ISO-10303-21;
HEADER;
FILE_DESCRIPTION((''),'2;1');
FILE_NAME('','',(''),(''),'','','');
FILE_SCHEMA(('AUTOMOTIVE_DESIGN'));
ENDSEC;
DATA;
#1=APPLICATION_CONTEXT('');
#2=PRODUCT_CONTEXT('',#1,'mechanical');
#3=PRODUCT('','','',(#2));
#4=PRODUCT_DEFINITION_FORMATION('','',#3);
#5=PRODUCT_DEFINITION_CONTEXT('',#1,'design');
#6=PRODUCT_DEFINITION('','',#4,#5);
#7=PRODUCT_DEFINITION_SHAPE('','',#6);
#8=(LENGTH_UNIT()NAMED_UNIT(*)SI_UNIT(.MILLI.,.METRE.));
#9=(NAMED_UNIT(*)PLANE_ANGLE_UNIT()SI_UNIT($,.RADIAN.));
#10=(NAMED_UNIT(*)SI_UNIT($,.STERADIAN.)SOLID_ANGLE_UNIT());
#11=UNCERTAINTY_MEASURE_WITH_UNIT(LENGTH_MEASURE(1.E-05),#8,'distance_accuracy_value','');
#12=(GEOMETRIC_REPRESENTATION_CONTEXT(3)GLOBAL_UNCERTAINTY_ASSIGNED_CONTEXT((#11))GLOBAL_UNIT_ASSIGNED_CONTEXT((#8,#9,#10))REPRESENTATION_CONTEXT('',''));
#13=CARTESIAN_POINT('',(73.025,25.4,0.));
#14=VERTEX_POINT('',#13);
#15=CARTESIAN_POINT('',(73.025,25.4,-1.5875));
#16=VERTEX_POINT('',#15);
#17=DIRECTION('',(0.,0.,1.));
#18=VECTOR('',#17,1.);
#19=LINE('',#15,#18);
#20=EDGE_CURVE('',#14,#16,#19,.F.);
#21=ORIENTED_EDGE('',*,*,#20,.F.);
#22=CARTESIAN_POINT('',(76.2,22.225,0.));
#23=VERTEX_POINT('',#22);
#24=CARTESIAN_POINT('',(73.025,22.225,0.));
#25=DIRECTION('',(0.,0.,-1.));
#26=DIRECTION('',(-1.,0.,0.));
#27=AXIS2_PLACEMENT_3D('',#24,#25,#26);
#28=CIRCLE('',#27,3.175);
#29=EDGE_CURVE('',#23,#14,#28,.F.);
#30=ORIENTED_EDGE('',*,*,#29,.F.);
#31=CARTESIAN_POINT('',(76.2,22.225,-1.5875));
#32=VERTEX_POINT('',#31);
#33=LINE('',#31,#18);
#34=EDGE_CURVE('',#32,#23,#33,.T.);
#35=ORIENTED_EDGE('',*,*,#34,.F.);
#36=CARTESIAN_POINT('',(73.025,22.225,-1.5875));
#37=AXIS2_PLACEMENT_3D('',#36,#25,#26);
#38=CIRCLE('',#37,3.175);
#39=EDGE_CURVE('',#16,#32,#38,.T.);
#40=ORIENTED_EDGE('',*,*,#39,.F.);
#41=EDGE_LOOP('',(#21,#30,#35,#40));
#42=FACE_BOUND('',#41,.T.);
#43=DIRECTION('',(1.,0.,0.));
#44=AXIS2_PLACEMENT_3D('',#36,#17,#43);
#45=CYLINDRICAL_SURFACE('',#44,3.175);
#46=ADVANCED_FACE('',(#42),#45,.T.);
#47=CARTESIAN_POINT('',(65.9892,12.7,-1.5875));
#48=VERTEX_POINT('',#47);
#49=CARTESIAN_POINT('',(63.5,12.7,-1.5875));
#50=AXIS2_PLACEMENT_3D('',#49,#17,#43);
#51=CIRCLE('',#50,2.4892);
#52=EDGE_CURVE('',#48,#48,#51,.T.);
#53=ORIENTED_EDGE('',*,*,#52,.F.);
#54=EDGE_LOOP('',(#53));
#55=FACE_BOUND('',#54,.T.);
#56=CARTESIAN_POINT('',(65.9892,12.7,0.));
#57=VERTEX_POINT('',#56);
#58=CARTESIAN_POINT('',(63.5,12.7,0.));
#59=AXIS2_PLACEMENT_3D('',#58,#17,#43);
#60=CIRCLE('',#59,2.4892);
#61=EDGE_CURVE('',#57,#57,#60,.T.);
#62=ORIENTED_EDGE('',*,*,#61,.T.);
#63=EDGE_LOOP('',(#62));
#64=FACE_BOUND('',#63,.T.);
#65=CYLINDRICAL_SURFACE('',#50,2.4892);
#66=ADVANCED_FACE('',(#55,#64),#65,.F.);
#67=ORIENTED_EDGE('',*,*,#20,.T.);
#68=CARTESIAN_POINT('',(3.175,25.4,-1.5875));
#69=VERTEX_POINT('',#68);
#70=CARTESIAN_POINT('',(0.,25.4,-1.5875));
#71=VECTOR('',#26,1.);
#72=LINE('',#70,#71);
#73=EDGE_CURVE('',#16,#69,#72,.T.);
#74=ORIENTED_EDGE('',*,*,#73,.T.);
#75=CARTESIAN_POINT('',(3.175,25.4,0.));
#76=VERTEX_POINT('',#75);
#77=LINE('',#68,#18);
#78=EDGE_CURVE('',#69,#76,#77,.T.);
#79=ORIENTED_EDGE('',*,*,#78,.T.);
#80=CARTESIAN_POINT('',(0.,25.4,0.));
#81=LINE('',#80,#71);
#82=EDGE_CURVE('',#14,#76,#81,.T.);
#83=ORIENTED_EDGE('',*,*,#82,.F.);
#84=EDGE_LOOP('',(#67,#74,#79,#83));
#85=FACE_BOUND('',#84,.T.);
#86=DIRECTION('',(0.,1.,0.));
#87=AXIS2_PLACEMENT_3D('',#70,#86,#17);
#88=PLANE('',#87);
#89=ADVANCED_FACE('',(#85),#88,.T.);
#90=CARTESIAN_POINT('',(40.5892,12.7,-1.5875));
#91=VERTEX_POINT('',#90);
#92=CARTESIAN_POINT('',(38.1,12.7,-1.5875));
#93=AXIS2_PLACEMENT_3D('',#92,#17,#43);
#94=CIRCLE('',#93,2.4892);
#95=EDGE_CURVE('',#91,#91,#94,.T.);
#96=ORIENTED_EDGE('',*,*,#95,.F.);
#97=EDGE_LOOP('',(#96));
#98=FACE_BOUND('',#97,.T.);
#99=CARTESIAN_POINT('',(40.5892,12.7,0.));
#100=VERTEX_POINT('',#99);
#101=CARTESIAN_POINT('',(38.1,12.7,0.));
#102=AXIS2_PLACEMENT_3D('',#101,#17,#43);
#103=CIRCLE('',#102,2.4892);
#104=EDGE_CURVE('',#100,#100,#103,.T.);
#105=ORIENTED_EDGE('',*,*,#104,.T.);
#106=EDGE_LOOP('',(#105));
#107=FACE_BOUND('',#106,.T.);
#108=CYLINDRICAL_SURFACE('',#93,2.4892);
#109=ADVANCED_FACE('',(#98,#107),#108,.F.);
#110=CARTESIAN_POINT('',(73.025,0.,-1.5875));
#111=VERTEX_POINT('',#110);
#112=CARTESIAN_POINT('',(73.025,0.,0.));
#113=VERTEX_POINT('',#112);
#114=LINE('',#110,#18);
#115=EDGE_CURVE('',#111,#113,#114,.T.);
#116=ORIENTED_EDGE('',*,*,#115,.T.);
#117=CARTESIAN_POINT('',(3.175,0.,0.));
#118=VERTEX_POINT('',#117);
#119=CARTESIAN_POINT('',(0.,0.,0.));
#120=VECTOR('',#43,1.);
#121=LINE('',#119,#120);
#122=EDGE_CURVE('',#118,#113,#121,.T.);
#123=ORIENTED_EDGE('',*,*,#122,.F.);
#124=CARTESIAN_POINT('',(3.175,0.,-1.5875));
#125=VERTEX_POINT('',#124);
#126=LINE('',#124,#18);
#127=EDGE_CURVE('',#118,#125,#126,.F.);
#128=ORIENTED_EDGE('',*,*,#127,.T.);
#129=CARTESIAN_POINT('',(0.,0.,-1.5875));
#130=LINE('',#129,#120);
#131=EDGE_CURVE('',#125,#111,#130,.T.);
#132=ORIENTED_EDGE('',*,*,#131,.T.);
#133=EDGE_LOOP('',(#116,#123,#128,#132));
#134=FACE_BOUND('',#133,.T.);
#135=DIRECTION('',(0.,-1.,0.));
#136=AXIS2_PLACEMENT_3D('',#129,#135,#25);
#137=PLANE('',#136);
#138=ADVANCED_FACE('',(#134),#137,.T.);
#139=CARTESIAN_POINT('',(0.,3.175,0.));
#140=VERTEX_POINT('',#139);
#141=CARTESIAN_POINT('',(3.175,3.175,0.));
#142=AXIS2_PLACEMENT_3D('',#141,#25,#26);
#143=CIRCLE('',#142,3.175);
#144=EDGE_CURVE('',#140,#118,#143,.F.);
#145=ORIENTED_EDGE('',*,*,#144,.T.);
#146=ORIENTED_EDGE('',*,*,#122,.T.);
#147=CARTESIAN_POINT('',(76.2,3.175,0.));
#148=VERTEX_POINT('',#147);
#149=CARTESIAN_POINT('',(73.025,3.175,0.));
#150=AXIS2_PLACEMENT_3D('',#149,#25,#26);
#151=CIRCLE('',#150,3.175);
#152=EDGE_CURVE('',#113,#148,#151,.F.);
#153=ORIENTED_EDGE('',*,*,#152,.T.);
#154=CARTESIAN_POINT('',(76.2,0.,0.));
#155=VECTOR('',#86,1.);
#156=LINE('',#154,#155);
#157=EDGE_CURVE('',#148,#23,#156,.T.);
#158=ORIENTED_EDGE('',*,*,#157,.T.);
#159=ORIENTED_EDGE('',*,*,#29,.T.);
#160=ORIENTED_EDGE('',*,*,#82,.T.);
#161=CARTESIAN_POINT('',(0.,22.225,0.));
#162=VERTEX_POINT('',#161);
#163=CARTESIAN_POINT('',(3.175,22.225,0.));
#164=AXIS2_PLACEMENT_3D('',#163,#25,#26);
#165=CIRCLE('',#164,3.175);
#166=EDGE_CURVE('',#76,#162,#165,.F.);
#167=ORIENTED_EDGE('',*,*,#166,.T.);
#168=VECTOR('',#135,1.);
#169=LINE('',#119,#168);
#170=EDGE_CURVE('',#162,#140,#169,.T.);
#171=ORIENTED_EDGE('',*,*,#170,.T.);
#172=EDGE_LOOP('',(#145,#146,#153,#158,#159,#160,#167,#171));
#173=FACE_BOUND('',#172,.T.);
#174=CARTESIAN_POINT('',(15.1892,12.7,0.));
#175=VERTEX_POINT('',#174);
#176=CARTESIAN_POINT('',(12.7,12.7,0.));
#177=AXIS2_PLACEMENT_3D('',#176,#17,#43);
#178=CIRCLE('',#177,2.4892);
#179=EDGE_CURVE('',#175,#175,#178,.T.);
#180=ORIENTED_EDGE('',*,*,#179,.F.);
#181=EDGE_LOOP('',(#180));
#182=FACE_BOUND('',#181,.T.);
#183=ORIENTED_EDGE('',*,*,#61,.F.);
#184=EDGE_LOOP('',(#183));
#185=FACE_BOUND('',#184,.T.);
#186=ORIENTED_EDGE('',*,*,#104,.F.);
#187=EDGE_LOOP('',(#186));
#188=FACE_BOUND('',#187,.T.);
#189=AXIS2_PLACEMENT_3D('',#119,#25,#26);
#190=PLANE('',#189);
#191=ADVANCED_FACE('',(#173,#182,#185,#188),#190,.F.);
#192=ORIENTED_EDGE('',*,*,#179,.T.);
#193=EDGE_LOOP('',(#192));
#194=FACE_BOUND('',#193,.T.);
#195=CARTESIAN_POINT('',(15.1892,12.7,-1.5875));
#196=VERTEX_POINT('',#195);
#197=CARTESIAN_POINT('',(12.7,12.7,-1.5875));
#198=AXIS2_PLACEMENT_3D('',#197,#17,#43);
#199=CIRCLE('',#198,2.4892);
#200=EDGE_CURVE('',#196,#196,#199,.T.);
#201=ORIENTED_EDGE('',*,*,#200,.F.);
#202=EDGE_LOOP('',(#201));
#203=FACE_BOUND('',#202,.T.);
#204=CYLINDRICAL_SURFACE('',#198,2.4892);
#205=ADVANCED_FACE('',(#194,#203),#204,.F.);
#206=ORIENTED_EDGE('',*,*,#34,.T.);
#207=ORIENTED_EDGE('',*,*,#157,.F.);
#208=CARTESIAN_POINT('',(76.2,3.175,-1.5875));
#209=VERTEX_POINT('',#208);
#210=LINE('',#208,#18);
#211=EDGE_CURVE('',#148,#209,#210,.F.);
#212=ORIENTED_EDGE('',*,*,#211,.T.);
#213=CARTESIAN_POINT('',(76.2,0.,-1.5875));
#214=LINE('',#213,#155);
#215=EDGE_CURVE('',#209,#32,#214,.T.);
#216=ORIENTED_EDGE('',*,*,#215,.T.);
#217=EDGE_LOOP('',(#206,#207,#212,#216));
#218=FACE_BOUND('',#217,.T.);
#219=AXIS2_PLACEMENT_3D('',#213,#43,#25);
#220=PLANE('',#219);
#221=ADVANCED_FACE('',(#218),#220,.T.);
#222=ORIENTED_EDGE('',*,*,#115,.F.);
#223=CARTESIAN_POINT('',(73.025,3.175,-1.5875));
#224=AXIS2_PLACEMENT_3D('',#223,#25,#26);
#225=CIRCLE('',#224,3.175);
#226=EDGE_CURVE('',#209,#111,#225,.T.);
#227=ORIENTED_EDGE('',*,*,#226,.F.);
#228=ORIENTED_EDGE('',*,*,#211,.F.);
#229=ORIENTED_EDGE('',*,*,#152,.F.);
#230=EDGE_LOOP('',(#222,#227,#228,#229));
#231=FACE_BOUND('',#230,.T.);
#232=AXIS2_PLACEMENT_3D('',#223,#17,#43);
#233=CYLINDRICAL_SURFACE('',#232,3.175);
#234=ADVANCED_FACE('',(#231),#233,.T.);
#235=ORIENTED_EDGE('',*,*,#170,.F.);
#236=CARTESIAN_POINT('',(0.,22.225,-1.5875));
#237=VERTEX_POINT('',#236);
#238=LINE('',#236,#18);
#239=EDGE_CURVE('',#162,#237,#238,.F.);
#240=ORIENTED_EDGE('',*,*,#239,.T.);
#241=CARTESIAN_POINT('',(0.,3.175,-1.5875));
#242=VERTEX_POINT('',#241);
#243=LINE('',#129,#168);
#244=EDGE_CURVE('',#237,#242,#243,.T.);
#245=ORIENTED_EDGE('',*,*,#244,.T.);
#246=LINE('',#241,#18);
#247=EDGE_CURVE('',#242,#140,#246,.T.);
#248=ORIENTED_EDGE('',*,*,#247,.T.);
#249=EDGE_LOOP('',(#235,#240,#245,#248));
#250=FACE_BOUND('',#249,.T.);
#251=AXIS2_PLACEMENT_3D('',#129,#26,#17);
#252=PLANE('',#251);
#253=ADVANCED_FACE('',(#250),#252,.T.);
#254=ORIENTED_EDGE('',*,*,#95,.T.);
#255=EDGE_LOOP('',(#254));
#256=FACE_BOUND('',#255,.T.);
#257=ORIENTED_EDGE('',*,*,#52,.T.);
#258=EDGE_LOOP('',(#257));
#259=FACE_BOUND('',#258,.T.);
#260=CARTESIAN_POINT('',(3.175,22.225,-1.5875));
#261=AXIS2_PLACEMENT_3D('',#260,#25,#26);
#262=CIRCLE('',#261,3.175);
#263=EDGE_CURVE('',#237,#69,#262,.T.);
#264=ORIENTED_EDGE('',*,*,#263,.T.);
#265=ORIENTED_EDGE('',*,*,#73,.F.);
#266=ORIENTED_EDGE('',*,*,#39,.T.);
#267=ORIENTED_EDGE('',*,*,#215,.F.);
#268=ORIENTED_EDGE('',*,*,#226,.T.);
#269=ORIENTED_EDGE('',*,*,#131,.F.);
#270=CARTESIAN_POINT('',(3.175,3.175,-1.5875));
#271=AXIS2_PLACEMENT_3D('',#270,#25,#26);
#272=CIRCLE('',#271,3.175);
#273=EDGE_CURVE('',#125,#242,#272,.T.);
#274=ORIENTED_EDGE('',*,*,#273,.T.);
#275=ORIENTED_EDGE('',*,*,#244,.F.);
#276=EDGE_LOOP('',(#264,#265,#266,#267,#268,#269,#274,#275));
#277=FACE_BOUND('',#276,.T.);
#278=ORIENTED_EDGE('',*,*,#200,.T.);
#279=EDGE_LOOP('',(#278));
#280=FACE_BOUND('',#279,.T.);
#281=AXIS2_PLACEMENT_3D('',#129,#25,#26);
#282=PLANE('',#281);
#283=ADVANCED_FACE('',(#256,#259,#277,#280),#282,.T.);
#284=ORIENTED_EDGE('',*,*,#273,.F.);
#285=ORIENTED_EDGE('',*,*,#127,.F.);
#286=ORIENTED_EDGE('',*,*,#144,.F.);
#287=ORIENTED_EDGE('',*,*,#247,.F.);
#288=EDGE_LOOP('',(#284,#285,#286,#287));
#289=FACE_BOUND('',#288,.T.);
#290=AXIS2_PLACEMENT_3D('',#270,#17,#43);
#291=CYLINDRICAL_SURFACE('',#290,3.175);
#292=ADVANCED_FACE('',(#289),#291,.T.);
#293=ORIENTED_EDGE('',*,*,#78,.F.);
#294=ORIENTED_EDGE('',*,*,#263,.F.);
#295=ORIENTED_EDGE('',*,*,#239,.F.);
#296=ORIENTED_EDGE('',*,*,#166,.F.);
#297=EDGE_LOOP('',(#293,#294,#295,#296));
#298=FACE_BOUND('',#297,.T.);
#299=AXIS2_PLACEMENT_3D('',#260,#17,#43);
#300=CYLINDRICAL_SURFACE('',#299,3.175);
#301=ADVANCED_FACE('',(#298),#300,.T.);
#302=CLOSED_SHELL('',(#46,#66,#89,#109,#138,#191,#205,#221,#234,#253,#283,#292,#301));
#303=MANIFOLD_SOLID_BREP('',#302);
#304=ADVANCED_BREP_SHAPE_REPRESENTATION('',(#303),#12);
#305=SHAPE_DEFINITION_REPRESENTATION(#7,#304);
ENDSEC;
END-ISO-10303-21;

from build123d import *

# Parameters (mm, degrees)
SKETCH1_W           = 76.2
SKETCH1_H           = 25.4
BOSS_EXTRUDE1_DEPTH = 1.5875
SKETCH2_R           = 2.4892
CUT_EXTRUDE1_DEPTH  = 81.337538898
FILLET1_R           = 3.175


with BuildPart() as part:
    # Sketch1 → Boss-Extrude1 (new body)
    with BuildSketch(Plane.XY):
        with Locations((38.1, 12.7)):
            Rectangle(SKETCH1_W, SKETCH1_H)
    extrude(amount=-BOSS_EXTRUDE1_DEPTH)

    # Sketch2 → Cut-Extrude1 (cut, through all)
    with BuildSketch(Plane.XY):
        with Locations((12.7, 12.7)):
            Circle(SKETCH2_R)
        with Locations((38.1, 12.7)):
            Circle(SKETCH2_R)
        with Locations((63.5, 12.7)):
            Circle(SKETCH2_R)
        with Locations((88.9, 12.7)):
            Circle(SKETCH2_R)
        with Locations((114.3, 12.7)):
            Circle(SKETCH2_R)
    extrude(amount=-CUT_EXTRUDE1_DEPTH, mode=Mode.SUBTRACT)

    # Fillet1
    fillet1_edges = [part.edges().sort_by_distance(p)[0] for p in [
        (0, 25.4, -0.79375),
        (76.2, 25.4, -0.79375),
        (76.2, 0, -0.79375),
        (0, 0, -0.79375),
    ]]
    fillet(fillet1_edges, radius=FILLET1_R)


solid = part.part
